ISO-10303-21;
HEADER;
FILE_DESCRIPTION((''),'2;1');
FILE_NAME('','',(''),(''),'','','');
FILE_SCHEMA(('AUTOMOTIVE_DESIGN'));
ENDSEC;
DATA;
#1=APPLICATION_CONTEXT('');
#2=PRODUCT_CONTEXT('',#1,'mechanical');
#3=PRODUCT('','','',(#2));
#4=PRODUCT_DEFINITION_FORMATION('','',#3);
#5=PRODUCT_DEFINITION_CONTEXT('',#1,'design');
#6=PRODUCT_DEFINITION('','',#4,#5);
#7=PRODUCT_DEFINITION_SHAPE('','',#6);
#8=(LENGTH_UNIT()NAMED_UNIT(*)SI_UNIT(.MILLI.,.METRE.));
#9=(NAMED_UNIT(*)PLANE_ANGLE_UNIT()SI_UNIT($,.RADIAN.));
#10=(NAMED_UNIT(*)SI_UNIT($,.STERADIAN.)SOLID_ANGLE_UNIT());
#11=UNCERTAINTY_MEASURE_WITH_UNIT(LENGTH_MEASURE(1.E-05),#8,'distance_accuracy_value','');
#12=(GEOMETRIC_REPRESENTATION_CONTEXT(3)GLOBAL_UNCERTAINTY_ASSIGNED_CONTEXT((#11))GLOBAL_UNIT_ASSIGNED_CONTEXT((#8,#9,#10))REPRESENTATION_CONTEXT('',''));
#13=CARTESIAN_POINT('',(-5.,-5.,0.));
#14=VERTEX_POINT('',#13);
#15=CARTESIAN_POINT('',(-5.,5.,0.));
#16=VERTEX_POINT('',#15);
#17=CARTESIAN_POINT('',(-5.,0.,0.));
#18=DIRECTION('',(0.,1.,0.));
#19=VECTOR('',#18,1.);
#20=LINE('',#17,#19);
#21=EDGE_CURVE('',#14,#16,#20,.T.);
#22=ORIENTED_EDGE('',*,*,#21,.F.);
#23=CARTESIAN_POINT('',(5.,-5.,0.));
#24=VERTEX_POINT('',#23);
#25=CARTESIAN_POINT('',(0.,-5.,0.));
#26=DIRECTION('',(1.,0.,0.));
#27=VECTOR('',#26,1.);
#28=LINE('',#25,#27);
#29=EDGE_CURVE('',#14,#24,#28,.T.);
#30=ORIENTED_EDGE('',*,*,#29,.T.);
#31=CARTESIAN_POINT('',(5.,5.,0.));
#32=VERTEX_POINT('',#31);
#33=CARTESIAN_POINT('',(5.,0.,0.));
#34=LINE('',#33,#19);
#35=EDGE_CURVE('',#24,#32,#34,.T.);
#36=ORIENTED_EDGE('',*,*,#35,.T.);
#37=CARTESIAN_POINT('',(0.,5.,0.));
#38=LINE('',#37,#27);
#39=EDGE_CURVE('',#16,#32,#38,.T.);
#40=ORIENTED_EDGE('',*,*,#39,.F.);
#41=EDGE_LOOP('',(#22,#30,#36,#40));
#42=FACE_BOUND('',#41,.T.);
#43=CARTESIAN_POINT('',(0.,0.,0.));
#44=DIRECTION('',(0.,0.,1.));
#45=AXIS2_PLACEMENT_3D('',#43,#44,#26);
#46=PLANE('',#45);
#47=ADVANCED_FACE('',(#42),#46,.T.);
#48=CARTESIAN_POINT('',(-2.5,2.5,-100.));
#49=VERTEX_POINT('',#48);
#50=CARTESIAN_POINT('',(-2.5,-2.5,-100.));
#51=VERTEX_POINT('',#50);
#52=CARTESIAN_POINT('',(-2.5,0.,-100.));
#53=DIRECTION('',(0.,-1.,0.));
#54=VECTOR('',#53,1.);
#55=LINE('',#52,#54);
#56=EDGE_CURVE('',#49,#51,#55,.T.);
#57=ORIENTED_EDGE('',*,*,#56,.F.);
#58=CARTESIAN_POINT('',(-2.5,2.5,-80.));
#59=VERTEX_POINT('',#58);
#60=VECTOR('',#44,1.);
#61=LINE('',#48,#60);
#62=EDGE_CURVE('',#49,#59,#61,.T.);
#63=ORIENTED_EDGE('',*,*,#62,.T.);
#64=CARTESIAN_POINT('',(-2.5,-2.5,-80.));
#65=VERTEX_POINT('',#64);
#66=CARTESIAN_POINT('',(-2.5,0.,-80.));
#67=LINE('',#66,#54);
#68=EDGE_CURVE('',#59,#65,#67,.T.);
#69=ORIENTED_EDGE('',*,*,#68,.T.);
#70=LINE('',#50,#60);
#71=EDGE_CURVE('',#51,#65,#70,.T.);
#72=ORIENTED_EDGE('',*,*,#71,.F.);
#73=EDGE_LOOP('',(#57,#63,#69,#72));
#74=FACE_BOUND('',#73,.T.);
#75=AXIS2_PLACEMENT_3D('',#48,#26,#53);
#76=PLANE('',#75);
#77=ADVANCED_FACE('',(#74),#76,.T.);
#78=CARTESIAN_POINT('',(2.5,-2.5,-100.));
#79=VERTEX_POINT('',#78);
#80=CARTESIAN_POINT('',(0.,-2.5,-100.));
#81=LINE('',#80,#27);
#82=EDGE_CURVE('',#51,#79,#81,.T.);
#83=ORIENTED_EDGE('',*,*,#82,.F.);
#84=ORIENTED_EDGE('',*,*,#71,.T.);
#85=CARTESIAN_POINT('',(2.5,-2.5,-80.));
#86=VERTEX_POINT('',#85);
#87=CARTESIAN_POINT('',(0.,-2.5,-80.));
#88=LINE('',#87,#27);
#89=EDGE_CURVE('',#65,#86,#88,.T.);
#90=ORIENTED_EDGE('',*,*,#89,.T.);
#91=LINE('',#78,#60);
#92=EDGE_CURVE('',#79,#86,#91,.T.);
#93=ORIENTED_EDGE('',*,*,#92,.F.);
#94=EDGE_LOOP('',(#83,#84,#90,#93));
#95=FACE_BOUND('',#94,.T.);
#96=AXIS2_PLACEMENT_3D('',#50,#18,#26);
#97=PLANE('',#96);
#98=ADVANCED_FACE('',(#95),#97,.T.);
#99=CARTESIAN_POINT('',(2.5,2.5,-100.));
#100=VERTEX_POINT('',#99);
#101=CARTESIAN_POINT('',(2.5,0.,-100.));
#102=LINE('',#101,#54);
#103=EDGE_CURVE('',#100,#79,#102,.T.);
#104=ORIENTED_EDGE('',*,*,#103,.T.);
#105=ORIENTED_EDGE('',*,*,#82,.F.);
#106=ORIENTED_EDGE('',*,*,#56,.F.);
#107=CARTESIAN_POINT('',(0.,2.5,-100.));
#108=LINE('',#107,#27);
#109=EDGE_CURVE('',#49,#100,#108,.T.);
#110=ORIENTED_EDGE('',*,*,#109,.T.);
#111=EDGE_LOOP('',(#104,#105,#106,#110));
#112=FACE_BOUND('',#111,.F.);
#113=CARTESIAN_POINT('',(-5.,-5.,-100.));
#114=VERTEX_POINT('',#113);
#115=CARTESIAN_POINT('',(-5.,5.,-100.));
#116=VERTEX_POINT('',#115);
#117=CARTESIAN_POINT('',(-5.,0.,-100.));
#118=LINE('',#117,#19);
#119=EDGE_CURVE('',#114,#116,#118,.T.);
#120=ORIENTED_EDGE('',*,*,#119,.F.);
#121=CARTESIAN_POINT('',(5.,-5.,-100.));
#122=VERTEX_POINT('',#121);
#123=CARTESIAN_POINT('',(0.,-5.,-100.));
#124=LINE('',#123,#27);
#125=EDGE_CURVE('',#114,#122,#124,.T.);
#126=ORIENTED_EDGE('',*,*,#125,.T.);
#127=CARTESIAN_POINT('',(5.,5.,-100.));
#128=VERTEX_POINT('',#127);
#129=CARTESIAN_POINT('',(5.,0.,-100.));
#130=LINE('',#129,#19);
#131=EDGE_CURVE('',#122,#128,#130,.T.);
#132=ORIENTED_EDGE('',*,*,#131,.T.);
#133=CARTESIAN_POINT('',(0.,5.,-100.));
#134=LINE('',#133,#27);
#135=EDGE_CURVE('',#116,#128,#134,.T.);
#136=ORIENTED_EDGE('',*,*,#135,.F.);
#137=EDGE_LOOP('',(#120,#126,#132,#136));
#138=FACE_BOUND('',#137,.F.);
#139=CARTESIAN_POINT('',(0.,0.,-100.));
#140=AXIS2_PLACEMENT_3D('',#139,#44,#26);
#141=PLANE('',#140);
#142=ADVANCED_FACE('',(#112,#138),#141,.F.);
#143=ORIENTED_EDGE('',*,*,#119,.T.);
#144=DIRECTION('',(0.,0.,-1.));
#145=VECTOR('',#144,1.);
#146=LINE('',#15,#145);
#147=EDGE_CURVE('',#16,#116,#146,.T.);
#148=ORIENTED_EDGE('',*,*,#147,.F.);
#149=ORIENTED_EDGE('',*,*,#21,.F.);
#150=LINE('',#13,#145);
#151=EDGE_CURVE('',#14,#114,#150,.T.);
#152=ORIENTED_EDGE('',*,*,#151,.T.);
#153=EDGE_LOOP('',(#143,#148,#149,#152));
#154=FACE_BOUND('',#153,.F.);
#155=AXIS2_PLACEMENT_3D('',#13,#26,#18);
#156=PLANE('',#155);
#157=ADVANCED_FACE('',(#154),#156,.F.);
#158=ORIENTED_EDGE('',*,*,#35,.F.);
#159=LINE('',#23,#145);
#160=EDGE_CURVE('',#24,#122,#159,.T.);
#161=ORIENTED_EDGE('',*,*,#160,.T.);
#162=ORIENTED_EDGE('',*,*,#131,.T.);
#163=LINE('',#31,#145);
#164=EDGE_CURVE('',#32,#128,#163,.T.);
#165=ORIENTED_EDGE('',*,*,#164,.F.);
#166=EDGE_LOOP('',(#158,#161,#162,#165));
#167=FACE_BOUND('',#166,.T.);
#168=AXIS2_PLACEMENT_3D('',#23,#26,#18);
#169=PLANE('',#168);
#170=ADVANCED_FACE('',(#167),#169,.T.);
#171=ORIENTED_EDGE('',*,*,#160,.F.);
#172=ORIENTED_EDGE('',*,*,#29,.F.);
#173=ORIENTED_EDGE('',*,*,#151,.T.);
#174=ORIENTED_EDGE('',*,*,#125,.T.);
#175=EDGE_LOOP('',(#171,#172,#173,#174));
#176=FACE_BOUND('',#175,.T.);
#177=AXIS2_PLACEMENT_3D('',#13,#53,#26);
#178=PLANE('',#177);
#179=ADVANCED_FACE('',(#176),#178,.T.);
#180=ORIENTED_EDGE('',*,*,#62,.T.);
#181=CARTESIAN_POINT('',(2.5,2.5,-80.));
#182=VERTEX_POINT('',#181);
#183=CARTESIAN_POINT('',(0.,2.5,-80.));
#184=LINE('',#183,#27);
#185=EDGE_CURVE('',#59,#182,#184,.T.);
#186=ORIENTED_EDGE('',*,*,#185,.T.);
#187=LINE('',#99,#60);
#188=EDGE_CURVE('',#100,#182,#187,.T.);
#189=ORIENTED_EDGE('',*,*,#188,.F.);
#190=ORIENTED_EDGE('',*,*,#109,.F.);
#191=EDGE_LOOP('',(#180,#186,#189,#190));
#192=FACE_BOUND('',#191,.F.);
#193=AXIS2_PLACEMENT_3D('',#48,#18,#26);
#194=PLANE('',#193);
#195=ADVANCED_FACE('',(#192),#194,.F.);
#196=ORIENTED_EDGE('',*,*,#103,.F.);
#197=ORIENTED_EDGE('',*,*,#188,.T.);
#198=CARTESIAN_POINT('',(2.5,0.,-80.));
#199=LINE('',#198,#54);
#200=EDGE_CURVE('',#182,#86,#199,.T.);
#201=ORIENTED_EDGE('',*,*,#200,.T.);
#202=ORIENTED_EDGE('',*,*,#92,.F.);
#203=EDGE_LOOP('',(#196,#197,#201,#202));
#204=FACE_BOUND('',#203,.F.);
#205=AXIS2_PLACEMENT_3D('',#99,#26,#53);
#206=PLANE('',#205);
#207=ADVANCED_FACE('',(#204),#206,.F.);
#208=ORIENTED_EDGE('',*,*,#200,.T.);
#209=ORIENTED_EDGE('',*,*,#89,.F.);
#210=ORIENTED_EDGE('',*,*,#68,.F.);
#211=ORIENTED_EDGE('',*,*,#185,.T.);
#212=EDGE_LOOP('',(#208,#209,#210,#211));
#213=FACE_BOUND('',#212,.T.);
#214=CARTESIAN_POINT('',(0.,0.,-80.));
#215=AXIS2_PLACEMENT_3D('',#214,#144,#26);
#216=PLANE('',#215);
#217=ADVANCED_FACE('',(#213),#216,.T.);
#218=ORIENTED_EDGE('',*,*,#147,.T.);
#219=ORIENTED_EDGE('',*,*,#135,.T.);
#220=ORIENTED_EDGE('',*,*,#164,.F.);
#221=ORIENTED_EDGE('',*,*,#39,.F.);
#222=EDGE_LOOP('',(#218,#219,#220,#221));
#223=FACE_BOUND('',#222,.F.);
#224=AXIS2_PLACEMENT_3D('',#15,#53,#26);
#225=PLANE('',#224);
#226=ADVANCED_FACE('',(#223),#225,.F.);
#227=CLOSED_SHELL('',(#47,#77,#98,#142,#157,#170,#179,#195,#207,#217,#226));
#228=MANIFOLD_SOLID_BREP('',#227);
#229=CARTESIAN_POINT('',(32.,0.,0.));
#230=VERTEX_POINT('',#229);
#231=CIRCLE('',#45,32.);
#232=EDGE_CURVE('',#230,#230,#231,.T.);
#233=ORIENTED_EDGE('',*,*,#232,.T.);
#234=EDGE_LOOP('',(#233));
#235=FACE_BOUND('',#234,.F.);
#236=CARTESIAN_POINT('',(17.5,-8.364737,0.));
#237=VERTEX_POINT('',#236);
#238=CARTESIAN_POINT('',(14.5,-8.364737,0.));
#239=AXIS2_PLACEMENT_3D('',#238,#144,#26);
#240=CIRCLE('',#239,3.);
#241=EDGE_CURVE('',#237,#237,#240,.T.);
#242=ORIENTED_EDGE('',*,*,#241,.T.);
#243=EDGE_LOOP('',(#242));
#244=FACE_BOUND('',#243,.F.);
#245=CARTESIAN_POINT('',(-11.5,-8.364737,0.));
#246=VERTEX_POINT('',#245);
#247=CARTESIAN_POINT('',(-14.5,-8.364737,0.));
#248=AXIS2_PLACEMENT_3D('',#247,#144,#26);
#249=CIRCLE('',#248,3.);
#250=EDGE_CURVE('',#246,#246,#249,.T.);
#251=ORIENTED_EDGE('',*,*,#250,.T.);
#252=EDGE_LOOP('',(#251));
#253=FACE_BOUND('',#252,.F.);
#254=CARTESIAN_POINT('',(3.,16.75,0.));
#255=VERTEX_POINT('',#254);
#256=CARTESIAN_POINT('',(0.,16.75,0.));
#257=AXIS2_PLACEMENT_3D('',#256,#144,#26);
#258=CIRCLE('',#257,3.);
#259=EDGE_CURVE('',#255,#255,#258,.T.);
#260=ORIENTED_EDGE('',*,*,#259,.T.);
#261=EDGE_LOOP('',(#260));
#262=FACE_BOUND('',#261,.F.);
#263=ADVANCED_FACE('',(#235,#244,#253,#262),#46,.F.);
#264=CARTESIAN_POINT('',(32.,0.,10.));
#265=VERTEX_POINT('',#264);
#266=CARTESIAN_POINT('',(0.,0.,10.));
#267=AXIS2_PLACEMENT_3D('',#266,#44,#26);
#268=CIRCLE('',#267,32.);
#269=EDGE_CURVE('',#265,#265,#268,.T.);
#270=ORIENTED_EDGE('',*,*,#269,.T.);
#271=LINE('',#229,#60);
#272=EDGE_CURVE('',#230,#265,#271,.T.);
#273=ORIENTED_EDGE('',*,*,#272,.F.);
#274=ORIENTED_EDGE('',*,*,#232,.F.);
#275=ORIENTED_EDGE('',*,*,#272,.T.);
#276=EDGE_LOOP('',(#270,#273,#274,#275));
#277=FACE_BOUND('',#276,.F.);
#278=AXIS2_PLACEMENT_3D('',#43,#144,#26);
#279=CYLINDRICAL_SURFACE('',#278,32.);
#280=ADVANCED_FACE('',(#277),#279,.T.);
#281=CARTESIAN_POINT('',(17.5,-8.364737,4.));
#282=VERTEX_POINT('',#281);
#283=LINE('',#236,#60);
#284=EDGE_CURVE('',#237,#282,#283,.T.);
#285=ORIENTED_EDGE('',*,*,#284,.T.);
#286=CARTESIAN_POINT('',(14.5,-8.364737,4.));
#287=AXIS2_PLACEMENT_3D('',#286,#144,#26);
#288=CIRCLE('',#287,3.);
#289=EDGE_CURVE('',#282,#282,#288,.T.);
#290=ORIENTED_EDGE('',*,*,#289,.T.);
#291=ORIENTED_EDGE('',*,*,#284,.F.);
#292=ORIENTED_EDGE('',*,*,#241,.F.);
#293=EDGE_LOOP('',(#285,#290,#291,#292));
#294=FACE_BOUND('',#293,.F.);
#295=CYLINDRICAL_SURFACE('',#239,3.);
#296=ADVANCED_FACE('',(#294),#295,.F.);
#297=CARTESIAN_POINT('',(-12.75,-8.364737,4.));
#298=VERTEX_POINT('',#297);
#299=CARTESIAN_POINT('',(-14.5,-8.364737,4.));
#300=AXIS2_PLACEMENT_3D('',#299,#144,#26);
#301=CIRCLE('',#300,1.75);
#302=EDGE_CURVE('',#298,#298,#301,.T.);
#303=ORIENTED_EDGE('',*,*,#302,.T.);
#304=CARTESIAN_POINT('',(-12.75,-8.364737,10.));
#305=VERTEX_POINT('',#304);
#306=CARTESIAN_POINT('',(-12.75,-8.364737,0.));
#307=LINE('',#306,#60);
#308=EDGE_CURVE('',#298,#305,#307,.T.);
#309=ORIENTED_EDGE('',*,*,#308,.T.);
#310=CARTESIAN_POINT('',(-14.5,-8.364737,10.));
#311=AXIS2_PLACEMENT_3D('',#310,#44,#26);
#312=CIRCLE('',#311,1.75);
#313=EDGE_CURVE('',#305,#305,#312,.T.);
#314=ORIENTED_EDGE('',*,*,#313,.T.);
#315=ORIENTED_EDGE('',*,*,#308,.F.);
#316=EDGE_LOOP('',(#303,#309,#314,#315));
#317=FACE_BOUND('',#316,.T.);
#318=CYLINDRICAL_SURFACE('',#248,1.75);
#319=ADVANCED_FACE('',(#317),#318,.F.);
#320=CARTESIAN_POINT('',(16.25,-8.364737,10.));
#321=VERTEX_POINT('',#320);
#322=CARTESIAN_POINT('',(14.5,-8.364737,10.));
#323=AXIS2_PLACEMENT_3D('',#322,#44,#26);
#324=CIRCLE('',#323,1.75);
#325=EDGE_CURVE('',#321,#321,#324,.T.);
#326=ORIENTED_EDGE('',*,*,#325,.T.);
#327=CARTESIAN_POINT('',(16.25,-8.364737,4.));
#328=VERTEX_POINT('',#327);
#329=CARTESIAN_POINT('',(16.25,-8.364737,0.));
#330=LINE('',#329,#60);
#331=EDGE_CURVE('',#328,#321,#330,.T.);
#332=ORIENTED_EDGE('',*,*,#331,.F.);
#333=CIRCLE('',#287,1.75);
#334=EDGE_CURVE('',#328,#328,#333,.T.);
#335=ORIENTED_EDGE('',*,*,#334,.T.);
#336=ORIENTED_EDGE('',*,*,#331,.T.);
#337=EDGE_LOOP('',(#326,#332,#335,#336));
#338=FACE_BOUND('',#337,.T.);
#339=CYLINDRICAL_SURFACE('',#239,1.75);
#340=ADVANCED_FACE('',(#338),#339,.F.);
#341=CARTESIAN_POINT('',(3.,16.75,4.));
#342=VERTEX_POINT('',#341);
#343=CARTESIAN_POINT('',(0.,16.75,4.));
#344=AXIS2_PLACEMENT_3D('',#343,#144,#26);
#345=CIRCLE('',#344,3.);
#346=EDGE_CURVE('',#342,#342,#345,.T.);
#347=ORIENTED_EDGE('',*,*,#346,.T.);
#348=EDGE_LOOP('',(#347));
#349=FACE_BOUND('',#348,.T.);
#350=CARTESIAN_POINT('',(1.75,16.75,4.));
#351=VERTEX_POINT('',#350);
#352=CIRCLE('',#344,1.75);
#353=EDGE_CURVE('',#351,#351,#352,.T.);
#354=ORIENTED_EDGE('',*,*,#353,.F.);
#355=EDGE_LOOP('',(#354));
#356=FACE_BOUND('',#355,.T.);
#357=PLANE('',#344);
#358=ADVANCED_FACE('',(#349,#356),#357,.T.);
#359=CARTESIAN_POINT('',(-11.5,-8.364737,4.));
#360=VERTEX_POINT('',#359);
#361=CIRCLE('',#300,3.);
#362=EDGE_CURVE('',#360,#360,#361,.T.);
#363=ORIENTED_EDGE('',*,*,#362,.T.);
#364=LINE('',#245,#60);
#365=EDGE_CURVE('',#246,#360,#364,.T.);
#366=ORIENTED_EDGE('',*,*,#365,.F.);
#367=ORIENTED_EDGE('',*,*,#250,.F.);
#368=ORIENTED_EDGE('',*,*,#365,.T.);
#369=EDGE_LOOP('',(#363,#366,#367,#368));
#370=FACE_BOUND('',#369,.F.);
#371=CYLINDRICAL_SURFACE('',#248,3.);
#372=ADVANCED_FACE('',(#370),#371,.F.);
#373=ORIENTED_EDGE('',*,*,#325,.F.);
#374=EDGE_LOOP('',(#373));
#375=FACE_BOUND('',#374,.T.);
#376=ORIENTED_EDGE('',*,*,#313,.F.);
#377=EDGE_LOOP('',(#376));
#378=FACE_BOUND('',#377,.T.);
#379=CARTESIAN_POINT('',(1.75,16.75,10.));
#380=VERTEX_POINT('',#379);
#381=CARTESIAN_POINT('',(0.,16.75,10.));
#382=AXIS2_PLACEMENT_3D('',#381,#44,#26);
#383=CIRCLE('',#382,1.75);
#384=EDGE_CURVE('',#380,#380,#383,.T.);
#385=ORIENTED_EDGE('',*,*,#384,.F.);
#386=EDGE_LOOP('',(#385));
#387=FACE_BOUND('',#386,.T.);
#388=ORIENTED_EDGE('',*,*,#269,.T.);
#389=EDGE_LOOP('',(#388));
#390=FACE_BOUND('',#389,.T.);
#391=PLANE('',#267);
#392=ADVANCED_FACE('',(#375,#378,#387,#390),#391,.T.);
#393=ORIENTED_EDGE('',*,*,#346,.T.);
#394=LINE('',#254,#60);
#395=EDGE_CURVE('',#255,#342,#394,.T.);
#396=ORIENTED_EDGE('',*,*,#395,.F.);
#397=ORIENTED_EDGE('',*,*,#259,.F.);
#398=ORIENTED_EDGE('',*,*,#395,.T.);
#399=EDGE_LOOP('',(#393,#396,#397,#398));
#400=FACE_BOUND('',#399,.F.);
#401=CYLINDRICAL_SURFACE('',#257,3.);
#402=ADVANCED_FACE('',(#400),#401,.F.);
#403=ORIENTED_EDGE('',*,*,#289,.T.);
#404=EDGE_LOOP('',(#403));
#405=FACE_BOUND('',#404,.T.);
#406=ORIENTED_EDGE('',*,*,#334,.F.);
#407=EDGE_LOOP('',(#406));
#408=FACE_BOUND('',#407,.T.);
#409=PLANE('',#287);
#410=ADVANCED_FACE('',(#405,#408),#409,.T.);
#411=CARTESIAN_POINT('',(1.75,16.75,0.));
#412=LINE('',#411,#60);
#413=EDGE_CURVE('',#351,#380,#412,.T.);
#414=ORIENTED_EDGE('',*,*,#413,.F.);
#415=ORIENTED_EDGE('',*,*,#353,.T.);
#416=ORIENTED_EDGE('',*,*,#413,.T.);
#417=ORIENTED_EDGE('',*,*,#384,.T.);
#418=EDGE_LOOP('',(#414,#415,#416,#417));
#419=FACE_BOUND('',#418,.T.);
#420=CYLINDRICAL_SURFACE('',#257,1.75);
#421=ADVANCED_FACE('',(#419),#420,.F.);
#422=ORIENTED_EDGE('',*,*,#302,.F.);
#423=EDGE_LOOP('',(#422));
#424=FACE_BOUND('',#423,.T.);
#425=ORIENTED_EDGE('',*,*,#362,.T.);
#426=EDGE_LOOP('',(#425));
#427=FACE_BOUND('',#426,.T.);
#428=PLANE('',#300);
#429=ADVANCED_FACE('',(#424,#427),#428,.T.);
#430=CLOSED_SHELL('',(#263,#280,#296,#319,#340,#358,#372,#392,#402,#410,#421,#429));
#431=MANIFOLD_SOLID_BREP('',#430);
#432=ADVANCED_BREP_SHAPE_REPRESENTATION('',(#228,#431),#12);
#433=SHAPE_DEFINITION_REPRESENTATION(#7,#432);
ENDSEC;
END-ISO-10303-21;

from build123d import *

# Parameters (mm, degrees)
SKETCH_R        = 32
SKETCH_R_2      = 1.75
PAD_DEPTH       = 10
SKETCH003_R     = 3
POCKET001_DEPTH = 4
SKETCH001_W     = 10
SKETCH001_H     = 10
PAD001_DEPTH    = 100
SKETCH002_W     = 5
SKETCH002_H     = 5
POCKET_DEPTH    = 20


with BuildPart() as body:
    # Sketch → Pad (new body)
    with BuildSketch(Plane.XY):
        Circle(SKETCH_R)
        with Locations((0, 16.75)):
            Circle(SKETCH_R_2, mode=Mode.SUBTRACT)
        with Locations((-14.5, -8.364737)):
            Circle(SKETCH_R_2, mode=Mode.SUBTRACT)
        with Locations((14.5, -8.364737)):
            Circle(SKETCH_R_2, mode=Mode.SUBTRACT)
    extrude(amount=PAD_DEPTH)

    # Sketch003 (on DatumPlane) → Pocket001 (cut)
    with BuildSketch(Plane(origin=(0, 0, 0), x_dir=(1, 0, 0), z_dir=(0, 0, -1))):
        with Locations((-14.5, 8.364737)):
            Circle(SKETCH003_R)
        with Locations((14.5, 8.364737)):
            Circle(SKETCH003_R)
        with Locations((0, -16.75)):
            Circle(SKETCH003_R)
    extrude(amount=-POCKET001_DEPTH, mode=Mode.SUBTRACT)


with BuildPart() as body001:
    # Sketch001 → Pad001 (new body)
    with BuildSketch(Plane.XY):
        Rectangle(SKETCH001_W, SKETCH001_H)
    extrude(amount=-PAD001_DEPTH)

    # Sketch002 (on DatumPlane) → Pocket (cut)
    with BuildSketch(Plane(origin=(0, 0, -100), x_dir=(1, 0, 0), z_dir=(0, 0, -1))):
        Rectangle(SKETCH002_W, SKETCH002_H)
    extrude(amount=-POCKET_DEPTH, mode=Mode.SUBTRACT)


solid = Compound([body.part, body001.part])
